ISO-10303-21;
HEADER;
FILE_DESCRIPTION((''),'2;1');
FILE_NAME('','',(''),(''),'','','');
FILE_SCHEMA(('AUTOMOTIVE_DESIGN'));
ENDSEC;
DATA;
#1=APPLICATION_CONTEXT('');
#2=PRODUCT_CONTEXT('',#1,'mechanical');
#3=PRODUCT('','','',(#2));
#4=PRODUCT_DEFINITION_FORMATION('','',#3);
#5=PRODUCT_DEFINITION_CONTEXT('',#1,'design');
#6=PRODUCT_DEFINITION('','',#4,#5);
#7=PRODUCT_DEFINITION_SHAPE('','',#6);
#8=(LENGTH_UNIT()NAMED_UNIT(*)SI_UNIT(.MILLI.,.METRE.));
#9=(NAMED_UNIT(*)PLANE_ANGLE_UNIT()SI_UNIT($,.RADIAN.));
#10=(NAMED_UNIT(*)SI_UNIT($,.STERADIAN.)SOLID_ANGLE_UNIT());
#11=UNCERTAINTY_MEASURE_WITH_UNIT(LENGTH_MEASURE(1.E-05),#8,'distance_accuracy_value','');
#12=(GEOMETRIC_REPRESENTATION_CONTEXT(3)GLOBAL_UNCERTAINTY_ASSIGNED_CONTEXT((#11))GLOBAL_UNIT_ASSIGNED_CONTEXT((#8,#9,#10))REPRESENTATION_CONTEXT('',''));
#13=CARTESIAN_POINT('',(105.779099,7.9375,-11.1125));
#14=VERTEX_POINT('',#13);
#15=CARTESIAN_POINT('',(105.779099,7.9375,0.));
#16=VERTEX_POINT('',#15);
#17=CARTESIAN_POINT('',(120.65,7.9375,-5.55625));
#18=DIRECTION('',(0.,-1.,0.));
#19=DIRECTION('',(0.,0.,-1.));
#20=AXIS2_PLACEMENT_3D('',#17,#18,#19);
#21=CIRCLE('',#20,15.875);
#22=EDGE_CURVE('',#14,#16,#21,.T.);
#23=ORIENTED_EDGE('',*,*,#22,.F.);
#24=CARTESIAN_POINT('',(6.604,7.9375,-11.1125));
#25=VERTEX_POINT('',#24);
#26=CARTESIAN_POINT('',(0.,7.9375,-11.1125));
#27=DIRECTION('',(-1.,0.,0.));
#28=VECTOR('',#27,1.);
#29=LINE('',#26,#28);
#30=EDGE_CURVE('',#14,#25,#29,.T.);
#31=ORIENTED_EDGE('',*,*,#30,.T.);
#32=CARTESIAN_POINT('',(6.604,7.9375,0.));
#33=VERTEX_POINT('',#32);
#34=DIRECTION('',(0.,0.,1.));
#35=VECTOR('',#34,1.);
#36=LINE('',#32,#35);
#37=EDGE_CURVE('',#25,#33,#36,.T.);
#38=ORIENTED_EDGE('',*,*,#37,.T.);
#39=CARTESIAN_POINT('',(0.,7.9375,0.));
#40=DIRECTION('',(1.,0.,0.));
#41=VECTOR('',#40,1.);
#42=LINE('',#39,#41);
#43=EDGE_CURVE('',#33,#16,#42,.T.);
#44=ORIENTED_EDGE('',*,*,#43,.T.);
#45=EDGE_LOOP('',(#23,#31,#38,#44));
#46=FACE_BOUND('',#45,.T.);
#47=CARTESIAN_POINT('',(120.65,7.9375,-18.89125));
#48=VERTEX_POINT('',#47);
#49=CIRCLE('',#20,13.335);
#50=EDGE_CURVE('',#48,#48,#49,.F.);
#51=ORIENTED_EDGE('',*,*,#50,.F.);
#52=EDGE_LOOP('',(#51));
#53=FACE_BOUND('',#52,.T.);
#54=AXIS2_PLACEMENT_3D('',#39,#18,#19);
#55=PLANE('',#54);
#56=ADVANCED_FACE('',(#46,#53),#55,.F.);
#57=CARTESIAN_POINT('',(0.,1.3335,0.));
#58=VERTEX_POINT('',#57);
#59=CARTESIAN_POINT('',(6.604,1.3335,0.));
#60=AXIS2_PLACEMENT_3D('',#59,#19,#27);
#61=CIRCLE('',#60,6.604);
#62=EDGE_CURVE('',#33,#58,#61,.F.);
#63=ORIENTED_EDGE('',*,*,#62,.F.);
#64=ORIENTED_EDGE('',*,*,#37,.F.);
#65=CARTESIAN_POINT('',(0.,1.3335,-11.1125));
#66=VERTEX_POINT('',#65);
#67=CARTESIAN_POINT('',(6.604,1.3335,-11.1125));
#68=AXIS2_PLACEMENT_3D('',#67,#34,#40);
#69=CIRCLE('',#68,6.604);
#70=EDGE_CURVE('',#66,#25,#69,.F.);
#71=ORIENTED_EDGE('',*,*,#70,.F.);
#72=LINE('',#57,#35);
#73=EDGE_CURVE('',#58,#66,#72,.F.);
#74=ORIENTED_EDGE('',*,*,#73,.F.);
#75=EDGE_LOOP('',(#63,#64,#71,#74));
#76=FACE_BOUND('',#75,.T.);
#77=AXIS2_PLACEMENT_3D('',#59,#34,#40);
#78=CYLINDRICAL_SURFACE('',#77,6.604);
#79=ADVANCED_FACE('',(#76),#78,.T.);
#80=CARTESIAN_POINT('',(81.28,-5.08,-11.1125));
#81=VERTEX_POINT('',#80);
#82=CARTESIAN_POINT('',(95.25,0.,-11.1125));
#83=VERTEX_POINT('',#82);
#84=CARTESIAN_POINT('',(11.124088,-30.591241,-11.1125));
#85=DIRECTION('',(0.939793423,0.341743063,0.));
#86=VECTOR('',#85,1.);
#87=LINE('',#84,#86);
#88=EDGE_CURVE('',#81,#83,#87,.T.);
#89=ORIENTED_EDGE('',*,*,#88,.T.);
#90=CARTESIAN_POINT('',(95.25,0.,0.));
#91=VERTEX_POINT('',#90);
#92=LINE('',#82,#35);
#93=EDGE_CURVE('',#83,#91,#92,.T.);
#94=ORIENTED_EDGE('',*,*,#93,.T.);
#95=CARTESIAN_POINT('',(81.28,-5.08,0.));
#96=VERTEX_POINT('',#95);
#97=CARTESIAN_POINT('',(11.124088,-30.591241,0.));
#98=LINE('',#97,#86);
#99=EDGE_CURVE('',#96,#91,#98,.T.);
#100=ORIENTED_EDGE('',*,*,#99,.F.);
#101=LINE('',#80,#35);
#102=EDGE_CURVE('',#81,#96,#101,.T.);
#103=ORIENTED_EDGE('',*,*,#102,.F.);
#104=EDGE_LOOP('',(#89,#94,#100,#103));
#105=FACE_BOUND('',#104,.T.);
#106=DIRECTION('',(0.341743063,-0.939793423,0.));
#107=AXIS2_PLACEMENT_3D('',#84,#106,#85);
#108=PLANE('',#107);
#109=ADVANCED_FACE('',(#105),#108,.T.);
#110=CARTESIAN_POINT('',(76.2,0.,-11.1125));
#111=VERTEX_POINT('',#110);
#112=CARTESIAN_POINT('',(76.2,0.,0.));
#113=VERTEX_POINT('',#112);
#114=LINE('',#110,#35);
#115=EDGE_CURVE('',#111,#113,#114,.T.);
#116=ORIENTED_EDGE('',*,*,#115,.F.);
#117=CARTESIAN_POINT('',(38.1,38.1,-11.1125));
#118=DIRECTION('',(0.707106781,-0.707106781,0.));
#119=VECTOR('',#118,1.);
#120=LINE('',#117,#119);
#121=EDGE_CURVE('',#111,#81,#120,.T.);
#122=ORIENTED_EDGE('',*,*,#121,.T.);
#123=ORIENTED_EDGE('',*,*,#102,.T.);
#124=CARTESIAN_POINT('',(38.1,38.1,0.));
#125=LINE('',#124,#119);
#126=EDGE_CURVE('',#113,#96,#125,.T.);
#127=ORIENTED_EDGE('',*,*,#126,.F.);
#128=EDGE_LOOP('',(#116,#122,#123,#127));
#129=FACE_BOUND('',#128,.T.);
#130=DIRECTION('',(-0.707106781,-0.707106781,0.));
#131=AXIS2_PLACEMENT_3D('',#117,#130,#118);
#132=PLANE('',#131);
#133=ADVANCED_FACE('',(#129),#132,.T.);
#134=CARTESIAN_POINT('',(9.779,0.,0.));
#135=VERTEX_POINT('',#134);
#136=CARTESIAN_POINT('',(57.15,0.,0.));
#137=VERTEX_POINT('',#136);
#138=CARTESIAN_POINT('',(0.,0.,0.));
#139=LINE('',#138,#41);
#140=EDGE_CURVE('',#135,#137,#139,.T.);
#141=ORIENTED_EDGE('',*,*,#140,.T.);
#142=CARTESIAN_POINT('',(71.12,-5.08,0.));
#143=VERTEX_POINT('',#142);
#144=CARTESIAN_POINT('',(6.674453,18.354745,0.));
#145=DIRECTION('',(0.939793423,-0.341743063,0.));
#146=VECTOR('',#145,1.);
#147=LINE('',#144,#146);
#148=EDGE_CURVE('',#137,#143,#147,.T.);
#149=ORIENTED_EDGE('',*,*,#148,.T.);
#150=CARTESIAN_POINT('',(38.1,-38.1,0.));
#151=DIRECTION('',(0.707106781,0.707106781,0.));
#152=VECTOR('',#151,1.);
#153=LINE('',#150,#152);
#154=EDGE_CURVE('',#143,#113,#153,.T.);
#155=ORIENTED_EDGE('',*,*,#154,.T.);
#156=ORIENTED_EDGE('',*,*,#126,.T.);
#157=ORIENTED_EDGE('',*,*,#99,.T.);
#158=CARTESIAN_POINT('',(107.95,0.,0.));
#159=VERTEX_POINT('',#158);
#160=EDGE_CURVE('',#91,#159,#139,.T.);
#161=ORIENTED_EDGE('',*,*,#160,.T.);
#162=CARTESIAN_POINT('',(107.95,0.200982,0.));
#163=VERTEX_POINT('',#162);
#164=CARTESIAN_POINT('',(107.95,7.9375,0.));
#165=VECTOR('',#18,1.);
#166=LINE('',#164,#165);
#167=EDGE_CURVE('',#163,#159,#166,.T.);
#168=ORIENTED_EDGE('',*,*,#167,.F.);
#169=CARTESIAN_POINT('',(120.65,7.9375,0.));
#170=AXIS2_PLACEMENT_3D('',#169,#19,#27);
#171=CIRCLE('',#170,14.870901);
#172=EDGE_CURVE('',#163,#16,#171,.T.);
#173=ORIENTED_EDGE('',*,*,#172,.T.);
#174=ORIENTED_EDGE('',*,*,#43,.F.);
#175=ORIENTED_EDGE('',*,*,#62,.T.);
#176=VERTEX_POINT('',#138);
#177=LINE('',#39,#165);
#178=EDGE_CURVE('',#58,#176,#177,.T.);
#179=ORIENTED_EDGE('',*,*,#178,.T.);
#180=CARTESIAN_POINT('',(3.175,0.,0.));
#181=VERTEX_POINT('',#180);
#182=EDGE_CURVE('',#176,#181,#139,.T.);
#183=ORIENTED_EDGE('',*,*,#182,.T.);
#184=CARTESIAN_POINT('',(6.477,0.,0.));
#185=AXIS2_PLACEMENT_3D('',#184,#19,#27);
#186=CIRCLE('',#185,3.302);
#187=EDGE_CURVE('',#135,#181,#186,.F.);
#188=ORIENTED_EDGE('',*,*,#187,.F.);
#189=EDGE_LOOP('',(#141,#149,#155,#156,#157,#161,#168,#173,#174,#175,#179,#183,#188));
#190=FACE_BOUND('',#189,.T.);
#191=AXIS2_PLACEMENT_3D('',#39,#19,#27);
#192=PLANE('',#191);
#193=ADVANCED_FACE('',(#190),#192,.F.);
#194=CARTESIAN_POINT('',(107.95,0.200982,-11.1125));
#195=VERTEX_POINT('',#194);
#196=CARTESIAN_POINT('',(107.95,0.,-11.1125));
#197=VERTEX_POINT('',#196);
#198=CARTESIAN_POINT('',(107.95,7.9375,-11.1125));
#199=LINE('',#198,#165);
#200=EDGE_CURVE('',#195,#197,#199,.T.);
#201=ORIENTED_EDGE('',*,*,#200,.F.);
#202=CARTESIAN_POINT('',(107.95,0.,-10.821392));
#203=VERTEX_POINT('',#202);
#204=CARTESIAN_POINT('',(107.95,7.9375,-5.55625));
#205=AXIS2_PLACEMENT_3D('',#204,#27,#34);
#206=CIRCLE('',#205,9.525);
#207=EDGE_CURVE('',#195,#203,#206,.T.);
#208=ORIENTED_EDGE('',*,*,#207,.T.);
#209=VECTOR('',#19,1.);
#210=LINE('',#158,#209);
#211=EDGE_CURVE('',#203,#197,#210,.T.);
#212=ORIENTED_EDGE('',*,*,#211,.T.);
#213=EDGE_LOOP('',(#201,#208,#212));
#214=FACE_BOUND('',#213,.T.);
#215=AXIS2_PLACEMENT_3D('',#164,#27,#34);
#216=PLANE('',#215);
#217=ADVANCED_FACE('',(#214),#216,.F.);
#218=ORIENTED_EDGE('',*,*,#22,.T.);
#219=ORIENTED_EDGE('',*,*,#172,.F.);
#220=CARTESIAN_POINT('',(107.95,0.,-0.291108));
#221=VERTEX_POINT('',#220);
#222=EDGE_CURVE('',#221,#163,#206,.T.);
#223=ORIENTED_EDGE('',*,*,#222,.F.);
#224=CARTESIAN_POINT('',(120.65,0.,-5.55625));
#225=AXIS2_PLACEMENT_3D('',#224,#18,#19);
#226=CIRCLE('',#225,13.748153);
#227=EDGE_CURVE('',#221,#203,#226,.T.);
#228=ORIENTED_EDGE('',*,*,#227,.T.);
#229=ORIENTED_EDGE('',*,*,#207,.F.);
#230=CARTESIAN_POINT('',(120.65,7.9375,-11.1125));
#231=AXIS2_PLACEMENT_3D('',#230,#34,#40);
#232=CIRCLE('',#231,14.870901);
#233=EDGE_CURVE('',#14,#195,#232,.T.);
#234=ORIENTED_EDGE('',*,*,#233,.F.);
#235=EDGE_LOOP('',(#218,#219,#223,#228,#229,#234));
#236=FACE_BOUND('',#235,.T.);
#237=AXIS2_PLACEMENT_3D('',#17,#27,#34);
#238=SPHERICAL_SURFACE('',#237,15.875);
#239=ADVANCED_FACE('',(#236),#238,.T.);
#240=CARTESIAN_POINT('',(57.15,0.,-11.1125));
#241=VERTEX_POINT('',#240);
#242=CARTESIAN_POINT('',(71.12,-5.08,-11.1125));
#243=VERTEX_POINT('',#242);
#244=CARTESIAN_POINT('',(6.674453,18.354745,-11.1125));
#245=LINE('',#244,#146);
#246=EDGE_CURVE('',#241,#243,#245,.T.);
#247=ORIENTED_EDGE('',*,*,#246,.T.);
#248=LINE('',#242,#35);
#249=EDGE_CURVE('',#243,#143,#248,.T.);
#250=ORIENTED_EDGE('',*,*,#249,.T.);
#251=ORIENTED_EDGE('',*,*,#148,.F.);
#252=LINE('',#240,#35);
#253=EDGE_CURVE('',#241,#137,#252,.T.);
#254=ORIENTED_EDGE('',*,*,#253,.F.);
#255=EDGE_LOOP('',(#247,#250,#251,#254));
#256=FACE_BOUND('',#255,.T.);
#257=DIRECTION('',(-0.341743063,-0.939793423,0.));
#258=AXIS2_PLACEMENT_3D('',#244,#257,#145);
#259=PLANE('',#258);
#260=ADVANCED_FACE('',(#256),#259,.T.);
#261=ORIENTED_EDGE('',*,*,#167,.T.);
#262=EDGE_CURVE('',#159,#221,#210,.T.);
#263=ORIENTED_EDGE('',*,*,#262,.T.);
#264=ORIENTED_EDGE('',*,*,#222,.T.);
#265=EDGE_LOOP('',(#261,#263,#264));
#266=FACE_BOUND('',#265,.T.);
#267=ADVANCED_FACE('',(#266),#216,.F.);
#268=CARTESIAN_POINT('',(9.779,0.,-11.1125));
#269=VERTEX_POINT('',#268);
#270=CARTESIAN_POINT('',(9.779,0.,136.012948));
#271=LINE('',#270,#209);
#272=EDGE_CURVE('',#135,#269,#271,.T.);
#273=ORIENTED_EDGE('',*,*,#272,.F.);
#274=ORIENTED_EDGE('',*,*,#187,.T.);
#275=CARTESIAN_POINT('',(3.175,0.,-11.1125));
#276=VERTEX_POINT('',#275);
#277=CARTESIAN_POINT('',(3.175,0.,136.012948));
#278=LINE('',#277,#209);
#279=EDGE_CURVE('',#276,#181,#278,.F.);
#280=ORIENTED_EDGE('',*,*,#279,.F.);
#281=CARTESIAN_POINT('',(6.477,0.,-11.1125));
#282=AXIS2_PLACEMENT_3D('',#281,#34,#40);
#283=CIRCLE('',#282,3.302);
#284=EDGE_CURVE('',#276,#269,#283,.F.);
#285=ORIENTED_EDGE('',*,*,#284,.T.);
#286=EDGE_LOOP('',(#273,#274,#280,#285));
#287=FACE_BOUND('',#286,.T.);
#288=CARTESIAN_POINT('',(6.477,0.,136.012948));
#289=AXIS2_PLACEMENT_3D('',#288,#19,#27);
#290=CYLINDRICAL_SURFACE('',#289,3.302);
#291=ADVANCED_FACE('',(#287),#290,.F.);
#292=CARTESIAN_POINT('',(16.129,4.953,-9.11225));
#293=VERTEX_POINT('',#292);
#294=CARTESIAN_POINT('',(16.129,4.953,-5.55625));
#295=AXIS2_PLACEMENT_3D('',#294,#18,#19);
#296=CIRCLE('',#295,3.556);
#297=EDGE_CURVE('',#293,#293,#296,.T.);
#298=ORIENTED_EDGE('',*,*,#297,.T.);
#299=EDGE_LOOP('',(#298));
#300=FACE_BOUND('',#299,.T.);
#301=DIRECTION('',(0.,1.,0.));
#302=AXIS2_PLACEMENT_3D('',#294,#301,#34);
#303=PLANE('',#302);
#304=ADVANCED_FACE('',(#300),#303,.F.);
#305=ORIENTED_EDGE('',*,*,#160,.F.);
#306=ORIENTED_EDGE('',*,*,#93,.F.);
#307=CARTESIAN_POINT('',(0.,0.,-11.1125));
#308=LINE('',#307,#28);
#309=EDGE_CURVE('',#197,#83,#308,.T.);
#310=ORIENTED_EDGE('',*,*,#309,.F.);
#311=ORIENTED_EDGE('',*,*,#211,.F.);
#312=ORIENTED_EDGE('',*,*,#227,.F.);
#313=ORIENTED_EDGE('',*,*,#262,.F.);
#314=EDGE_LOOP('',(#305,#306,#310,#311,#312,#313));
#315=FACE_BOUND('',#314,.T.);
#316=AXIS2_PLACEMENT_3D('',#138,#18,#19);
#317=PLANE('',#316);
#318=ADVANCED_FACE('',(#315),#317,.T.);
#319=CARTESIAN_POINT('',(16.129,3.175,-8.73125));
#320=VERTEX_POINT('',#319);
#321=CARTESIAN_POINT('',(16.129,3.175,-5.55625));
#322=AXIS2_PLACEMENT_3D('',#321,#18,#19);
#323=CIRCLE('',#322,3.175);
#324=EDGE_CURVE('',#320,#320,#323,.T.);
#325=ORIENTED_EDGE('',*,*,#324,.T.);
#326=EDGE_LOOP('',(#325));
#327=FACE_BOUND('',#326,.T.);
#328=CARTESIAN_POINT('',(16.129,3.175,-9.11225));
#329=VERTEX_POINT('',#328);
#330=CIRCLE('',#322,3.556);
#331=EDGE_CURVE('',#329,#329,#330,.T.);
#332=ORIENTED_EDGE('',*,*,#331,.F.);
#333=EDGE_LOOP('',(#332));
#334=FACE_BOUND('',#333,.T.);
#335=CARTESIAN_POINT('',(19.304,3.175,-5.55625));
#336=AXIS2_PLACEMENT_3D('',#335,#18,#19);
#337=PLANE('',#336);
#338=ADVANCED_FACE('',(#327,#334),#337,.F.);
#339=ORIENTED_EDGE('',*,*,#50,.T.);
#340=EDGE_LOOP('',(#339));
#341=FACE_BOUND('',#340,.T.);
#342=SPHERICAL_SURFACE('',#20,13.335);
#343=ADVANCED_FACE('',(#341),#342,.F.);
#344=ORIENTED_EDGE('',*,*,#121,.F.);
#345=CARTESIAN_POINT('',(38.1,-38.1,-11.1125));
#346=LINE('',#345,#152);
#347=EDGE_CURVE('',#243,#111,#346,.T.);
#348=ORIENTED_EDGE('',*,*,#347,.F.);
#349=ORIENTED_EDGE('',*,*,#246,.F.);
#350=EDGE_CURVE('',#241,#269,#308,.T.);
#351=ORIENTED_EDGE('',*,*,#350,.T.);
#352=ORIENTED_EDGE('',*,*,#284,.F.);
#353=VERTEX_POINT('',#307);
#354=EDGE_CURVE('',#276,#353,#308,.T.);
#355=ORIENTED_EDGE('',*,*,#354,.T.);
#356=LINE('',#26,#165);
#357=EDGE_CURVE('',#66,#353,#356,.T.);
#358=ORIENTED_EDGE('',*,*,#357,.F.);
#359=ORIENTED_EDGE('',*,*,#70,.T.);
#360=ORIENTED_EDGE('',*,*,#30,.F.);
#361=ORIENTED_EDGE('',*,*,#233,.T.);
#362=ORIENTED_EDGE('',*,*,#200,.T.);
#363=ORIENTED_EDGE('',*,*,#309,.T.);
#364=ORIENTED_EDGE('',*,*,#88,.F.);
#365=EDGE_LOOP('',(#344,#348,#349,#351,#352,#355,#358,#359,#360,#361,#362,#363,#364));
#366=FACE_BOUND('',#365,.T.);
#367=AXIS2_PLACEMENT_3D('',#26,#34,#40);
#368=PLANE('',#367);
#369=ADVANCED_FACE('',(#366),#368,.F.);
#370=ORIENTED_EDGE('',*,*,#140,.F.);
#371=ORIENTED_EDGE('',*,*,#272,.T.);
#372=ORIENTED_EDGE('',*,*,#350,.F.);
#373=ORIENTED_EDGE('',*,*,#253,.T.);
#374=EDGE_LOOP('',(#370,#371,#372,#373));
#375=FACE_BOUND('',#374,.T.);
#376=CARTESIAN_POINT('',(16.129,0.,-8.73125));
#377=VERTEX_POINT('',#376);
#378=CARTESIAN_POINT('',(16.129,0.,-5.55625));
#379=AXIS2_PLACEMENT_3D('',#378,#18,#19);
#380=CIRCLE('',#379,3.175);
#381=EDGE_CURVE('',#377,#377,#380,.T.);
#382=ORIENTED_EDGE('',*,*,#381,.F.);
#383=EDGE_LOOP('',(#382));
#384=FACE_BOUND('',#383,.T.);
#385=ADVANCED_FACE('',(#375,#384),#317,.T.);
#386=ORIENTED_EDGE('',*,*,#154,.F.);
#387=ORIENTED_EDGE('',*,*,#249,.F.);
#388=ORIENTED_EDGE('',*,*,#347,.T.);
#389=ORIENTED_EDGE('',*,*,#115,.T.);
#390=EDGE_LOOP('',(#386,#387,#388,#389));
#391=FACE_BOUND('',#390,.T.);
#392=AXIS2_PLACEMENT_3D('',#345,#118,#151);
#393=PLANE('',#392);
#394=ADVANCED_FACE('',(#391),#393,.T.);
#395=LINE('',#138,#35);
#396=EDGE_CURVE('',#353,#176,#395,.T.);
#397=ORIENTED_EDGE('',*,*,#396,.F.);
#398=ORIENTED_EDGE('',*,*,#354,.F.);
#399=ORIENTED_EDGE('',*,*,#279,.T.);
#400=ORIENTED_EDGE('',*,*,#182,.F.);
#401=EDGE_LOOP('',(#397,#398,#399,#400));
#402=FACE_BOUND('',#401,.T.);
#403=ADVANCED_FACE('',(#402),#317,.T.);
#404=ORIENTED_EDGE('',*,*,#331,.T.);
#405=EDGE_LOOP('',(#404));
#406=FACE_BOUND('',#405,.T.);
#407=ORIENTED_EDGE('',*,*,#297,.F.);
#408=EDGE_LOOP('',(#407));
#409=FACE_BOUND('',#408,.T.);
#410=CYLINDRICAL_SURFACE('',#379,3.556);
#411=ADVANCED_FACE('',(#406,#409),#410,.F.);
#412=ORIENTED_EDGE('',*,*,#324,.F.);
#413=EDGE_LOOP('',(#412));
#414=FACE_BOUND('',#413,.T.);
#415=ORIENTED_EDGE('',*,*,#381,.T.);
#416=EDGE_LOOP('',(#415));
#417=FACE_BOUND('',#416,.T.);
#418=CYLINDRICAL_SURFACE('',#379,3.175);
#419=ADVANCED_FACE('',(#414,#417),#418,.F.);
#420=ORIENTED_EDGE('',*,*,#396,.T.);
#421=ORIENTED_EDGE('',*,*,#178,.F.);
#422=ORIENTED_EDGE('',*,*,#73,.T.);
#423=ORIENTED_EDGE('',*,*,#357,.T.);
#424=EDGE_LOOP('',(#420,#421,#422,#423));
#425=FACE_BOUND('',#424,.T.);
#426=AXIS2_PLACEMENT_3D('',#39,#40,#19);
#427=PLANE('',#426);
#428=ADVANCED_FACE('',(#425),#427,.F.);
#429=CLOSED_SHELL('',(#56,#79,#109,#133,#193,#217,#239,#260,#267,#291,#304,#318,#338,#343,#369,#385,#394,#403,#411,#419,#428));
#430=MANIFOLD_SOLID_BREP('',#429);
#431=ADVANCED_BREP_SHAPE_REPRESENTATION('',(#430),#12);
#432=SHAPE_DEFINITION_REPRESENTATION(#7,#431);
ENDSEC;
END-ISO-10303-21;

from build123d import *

# Parameters (mm, degrees)
SKETCH1_W               = 107.95
SKETCH1_H               = 11.1125
BOSS_EXTRUDE1_DEPTH     = 7.9375
CUT_EXTRUDE1_DEPTH      = 1
CUT_EXTRUDE1_DEPTH_BACK = 12.1125
BOSS_EXTRUDE2_DEPTH     = 11.1125
FILLET1_R               = 6.604
REVOLVE1_ANGLE          = 180


with BuildPart() as part:
    # Sketch1 → Boss-Extrude1 (new body)
    with BuildSketch(Plane(origin=(0, 0, 0), x_dir=(1, 0, 0), z_dir=(0, 1, 0))):
        with Locations((53.975, 5.55625)):
            Rectangle(SKETCH1_W, SKETCH1_H)
    extrude(amount=BOSS_EXTRUDE1_DEPTH)

    # Sketch2 → Cut-Extrude1 (cut, two sides)
    with BuildSketch(Plane.XY) as cut_extrude1_sk:
        with BuildLine():
            Line((3.175, 0), (9.779, 0))
            ThreePointArc((9.779, 0), (6.477, 3.302), (3.175, 0))
        make_face()
    extrude(amount=CUT_EXTRUDE1_DEPTH, mode=Mode.SUBTRACT)
    extrude(cut_extrude1_sk.sketch, amount=-CUT_EXTRUDE1_DEPTH_BACK, mode=Mode.SUBTRACT)

    # Sketch2<4> → Boss-Extrude2 (add, through all)
    with BuildSketch(Plane.XY):
        Polygon((76.2, 0), (57.15, 0), (71.12, -5.08), align=None)
        Polygon((95.25, 0), (76.2, 0), (81.28, -5.08), align=None)
    extrude(amount=-BOSS_EXTRUDE2_DEPTH)

    # Fillet1
    fillet1_edges = [part.edges().sort_by_distance(p)[0] for p in [
        (0, 7.9375, -5.55625),
    ]]
    fillet(fillet1_edges, radius=FILLET1_R)

    # Sketch3 → Revolve1 (revolve)
    with BuildSketch(Plane(origin=(0, 7.9375, 0), x_dir=(1, 0, 0), z_dir=(0, 1, 0))):
        with BuildLine():
            Line((104.775, 5.55625), (136.525, 5.55625))
            ThreePointArc((136.525, 5.55625), (120.65, -10.31875), (104.775, 5.55625))
        make_face()
    revolve(axis=Axis((104.775, 7.9375, -5.55625), (1, 0, 0)), revolution_arc=REVOLVE1_ANGLE)

    # Sketch5 → Cut-Revolve2 (revolve, cut)
    with BuildSketch(Plane(origin=(0, 7.9375, 0), x_dir=(1, 0, 0), z_dir=(0, 1, 0))):
        with BuildLine():
            Line((107.315, 5.55625), (133.985, 5.55625))
            ThreePointArc((133.985, 5.55625), (120.65, -7.77875), (107.315, 5.55625))
        make_face()
    revolve(axis=Axis((107.315, 7.9375, -5.55625), (1, 0, 0)), mode=Mode.SUBTRACT)

    # Sketch6 → Cut-Revolve3 (revolve, cut)
    with BuildSketch(Plane.XY.offset(-5.55625)):
        Polygon((16.129, 0), (19.304, 0), (19.304, 3.175), (19.685, 3.175), (19.685, 4.953), (16.129, 4.953), (16.129, 3.175), align=None)
    revolve(axis=Axis((16.129, 0, -5.55625), (0, 1, 0)), mode=Mode.SUBTRACT)


solid = part.part
